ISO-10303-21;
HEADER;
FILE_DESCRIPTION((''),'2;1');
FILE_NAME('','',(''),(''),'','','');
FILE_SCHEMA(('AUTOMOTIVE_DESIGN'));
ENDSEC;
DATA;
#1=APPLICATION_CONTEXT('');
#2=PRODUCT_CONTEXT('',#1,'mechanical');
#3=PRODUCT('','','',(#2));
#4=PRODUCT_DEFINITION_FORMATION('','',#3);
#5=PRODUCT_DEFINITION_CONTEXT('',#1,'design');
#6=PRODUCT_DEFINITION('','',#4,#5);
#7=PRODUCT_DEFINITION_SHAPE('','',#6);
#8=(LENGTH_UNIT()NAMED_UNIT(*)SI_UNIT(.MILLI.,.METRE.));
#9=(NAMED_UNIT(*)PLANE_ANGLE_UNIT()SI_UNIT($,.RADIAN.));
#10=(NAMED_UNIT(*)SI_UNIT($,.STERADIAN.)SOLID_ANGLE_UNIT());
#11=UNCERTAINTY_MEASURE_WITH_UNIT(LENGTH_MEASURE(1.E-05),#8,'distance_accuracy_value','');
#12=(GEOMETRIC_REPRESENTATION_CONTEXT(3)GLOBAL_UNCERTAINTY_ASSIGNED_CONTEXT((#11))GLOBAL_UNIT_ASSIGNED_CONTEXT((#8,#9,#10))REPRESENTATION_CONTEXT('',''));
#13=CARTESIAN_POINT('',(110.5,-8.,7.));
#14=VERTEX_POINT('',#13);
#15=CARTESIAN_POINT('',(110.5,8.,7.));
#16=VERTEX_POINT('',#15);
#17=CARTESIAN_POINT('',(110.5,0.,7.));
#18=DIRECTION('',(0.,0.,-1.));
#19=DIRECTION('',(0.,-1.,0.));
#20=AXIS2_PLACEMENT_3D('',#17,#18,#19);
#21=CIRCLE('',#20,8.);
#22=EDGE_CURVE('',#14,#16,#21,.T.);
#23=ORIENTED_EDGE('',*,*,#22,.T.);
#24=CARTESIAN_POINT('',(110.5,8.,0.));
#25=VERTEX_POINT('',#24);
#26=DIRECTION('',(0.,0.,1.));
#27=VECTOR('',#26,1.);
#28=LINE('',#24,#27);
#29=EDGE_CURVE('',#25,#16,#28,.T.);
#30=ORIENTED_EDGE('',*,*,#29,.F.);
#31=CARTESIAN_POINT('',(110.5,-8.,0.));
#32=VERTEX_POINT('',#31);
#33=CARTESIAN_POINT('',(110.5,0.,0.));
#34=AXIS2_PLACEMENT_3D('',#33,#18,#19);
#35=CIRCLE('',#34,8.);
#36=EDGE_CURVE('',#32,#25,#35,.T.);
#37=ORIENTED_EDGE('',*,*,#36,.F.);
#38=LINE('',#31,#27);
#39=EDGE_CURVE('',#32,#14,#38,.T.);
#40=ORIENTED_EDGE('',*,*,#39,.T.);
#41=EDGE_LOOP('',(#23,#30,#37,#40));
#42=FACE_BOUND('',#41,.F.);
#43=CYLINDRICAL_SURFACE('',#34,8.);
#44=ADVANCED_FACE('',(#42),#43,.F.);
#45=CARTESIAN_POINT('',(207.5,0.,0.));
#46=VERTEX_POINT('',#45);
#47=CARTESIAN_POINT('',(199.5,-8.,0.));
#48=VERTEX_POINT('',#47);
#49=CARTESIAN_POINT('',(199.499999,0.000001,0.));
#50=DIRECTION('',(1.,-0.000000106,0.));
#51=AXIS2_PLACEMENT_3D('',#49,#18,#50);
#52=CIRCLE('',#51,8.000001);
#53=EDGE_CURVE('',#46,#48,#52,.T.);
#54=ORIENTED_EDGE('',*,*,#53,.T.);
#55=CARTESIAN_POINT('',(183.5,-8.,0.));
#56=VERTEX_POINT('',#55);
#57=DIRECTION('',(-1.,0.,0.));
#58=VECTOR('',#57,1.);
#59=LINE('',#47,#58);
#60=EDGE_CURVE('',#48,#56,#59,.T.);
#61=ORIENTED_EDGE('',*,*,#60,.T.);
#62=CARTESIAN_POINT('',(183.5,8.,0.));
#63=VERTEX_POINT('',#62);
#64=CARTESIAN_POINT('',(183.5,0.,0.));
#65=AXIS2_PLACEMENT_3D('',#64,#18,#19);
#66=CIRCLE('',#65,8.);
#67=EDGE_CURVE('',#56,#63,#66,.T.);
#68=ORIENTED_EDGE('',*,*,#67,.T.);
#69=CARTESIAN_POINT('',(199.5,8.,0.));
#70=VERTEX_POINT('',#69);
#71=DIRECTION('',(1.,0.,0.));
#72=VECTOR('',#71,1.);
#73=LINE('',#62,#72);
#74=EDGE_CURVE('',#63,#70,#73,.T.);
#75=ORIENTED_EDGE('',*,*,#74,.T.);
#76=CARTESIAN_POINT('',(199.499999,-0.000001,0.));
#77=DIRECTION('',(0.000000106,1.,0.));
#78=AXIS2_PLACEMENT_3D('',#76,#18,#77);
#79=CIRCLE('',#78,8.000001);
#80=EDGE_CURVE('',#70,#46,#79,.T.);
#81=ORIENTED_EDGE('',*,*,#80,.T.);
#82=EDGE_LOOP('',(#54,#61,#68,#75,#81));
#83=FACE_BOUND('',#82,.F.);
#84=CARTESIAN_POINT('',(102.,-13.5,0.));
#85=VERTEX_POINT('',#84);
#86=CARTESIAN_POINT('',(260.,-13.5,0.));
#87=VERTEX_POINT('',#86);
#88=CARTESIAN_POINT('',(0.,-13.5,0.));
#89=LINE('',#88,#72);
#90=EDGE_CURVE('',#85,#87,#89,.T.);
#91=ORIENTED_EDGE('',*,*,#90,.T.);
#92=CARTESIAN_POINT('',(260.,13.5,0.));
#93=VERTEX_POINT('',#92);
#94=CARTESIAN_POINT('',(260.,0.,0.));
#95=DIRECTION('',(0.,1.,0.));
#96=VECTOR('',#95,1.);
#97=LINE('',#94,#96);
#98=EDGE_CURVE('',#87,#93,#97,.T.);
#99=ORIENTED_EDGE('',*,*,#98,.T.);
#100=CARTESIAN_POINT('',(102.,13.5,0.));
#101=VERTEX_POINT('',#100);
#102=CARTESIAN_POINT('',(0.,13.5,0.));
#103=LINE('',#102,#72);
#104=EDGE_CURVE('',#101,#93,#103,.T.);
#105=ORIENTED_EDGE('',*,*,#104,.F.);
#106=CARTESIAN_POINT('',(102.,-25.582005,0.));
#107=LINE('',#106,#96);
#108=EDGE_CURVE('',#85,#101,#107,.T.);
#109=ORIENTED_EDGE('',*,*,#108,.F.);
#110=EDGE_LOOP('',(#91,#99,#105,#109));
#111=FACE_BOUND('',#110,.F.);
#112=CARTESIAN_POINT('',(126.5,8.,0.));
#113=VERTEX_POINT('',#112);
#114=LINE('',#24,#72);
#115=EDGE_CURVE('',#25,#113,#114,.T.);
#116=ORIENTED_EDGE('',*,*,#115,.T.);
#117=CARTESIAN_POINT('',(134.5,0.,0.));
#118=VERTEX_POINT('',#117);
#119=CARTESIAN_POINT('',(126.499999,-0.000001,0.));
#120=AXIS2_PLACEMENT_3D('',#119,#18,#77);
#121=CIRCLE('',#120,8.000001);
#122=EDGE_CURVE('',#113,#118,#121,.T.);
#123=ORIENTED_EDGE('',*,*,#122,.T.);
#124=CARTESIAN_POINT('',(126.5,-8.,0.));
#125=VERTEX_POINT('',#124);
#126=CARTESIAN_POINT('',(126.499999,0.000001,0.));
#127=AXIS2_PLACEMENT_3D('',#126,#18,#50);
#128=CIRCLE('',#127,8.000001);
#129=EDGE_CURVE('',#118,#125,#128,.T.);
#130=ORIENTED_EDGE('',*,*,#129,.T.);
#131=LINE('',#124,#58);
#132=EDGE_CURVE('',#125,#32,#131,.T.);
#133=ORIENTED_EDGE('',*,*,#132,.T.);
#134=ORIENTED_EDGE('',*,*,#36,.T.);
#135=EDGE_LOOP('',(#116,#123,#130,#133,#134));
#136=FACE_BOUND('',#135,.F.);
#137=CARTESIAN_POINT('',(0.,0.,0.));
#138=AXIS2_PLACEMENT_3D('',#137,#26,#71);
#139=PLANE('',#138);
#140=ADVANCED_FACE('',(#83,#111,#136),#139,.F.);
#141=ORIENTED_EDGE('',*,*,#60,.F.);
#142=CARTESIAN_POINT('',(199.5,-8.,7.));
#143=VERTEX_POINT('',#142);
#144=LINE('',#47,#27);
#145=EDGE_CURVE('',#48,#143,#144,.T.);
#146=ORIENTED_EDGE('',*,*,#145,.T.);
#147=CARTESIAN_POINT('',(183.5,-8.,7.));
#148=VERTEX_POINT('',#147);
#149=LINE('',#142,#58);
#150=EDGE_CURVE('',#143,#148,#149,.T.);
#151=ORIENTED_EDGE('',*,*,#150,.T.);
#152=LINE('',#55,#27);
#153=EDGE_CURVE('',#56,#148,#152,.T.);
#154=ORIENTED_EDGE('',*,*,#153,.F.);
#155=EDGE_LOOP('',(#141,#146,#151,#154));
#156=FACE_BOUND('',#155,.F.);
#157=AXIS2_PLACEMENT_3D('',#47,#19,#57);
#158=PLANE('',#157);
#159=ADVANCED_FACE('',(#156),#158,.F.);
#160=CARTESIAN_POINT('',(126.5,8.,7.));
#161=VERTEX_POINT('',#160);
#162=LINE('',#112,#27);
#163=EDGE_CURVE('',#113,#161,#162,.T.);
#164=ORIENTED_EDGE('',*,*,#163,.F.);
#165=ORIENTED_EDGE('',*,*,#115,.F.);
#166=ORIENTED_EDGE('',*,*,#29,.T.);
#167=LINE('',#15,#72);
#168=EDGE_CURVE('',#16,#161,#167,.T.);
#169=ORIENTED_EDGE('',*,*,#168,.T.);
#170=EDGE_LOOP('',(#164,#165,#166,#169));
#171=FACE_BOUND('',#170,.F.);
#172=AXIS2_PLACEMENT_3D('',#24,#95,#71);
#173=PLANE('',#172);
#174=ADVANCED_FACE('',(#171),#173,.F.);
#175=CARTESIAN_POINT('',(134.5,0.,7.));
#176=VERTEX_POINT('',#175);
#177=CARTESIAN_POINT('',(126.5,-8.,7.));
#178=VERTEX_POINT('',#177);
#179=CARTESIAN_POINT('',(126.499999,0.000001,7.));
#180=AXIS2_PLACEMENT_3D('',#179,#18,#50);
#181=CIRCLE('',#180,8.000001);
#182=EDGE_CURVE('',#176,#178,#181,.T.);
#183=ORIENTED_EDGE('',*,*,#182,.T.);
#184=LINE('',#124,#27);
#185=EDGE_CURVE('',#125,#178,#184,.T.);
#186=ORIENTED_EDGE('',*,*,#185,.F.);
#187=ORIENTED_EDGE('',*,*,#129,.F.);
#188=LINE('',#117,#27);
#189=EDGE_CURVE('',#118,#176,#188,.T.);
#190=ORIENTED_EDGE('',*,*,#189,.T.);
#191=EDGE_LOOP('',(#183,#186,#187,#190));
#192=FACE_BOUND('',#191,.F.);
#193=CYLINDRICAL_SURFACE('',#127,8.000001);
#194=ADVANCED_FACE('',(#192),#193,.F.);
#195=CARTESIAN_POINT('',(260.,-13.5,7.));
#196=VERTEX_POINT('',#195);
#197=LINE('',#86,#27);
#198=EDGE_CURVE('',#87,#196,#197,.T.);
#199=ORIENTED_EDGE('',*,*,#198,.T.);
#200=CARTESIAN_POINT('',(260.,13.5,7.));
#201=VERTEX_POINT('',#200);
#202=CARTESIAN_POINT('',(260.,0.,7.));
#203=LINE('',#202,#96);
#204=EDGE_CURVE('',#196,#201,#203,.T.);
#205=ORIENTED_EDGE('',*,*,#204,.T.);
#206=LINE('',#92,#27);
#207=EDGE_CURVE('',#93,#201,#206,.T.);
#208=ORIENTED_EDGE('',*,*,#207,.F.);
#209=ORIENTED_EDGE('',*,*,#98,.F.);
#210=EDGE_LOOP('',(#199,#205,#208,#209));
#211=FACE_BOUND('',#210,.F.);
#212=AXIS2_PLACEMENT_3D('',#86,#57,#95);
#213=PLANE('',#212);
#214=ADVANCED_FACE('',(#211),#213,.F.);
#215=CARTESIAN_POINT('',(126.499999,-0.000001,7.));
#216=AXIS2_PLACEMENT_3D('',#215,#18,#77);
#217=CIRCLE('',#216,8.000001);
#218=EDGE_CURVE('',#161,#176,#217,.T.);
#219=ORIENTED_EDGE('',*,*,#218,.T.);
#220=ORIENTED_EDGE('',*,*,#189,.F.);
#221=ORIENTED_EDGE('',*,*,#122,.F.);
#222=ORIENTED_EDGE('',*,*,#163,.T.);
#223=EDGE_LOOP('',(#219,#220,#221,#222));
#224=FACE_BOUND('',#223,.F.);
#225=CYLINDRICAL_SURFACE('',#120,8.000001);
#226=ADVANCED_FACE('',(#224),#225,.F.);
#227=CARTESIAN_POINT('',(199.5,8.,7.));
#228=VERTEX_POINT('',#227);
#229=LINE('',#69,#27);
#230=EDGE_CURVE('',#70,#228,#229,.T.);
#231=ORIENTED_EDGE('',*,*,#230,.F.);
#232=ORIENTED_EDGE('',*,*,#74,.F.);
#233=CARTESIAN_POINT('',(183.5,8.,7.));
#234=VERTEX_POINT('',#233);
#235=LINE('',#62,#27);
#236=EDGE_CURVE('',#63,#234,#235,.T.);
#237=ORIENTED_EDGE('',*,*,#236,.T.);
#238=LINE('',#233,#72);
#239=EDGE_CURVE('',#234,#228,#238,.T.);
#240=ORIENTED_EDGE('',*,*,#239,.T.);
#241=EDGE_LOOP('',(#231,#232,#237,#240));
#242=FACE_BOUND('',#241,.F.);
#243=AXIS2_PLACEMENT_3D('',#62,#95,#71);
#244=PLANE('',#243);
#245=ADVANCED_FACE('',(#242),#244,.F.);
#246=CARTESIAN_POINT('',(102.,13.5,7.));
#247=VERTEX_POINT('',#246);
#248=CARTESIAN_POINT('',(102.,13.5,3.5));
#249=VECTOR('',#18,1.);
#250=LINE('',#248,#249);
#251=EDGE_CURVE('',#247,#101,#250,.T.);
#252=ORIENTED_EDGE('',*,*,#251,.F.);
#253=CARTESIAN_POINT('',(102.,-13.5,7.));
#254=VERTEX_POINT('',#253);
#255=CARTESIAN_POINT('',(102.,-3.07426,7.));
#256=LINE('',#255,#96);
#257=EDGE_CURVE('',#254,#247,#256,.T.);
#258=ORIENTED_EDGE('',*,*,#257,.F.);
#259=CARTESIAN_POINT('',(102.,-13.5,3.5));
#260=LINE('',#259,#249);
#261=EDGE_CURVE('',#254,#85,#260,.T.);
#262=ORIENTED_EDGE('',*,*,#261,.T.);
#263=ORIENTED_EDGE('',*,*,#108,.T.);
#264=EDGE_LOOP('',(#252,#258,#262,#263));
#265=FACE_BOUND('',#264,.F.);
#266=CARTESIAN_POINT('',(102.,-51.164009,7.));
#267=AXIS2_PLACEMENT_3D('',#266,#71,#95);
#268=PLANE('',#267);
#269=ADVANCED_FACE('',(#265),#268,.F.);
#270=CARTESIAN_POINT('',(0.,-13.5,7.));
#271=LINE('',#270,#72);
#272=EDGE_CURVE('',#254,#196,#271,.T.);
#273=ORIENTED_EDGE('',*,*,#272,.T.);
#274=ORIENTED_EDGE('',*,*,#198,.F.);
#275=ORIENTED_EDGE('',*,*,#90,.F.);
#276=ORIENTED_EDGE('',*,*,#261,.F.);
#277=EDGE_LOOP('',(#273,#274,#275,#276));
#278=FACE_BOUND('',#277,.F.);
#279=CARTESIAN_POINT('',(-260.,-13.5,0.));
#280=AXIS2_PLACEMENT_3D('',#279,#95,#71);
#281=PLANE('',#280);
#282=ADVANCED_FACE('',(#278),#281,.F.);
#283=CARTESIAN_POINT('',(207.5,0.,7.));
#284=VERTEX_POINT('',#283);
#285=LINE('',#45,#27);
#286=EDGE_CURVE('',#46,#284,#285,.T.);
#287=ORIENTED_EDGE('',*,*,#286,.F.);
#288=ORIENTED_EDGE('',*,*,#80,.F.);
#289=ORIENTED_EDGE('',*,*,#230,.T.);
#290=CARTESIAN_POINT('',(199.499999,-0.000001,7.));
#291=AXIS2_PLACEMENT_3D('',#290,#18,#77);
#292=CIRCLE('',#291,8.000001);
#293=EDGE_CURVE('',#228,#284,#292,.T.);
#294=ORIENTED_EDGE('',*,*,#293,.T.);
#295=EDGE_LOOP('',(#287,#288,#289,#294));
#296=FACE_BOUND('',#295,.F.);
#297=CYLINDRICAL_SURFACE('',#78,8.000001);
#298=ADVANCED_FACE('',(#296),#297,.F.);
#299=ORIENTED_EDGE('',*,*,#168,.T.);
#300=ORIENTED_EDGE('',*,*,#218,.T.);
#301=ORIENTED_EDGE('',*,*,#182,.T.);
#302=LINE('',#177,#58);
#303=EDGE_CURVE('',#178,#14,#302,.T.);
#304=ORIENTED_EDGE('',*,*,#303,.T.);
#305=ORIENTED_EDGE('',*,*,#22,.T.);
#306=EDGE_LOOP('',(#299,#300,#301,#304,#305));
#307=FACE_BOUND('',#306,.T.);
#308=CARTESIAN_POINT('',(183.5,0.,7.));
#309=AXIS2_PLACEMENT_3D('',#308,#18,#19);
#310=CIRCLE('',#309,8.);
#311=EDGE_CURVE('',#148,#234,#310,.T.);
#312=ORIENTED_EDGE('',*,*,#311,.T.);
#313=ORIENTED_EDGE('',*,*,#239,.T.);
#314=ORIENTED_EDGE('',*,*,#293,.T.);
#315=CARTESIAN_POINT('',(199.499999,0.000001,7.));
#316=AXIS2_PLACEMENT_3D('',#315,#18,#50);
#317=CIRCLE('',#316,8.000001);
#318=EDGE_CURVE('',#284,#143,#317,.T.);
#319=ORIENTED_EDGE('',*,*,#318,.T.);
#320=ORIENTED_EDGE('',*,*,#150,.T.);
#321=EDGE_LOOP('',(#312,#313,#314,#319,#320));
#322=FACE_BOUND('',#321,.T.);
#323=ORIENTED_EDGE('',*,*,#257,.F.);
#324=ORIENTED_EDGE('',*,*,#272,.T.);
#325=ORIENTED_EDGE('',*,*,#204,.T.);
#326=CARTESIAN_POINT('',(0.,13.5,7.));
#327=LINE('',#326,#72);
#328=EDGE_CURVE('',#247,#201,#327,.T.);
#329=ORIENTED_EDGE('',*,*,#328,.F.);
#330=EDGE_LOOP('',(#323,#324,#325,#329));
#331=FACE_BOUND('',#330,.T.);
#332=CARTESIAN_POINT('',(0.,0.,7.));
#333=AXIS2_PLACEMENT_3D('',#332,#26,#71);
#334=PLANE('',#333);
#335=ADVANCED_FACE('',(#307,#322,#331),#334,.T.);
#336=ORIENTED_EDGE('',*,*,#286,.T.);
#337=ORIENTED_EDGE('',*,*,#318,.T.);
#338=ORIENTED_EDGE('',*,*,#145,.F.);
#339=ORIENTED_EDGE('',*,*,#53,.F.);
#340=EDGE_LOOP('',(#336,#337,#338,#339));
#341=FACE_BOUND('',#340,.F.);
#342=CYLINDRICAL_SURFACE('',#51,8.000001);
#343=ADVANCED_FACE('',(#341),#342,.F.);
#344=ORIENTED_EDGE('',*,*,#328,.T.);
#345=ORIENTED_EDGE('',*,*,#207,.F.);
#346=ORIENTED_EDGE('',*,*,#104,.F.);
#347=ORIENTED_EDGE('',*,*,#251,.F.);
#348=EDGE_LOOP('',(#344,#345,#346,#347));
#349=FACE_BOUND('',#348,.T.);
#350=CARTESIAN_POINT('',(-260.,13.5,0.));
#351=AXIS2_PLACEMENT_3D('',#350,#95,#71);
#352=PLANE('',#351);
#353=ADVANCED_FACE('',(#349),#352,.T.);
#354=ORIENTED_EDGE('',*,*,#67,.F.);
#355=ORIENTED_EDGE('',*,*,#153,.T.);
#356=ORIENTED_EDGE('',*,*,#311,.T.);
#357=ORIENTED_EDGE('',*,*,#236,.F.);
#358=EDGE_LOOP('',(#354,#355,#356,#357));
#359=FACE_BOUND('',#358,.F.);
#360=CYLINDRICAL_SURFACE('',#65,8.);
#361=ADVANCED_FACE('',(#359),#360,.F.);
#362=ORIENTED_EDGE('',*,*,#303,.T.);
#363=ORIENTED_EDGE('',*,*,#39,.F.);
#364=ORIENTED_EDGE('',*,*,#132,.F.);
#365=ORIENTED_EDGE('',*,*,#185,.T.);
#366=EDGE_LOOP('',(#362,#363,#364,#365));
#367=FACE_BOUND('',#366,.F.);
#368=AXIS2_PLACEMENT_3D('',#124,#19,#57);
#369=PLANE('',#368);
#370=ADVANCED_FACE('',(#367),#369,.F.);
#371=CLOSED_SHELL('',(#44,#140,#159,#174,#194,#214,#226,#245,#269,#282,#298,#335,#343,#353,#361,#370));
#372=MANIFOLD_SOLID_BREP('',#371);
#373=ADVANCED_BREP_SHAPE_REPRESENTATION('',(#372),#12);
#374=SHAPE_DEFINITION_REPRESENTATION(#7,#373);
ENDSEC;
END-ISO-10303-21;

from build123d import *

# Parameters (mm, degrees)
F0_W     = 520
F0_H     = 27
F1_DEPTH = 7
F2_W     = 158
F2_H     = 96.179498
F2_W_2   = 50
F3_DEPTH = 25


with BuildPart() as f1:
    # F0 (on Top) → F1 (new body)
    with BuildSketch(Plane.XY):
        Rectangle(F0_W, F0_H)
        with BuildLine():
            ThreePointArc((-92.5, 8), (-86.843146, 5.656854), (-84.5, 0))
            ThreePointArc((-84.5, 0), (-86.843146, -5.656854), (-92.5, -8))
            Line((-92.5, -8), (-108.5, -8))
            ThreePointArc((-108.5, -8), (-116.5, 0), (-108.5, 8))
            Line((-108.5, 8), (-92.5, 8))
        make_face(mode=Mode.SUBTRACT)
        with BuildLine():
            ThreePointArc((-19.5, 8), (-13.843146, 5.656854), (-11.5, 0))
            ThreePointArc((-11.5, 0), (-13.843146, -5.656854), (-19.5, -8))
            Line((-19.5, -8), (-35.5, -8))
            ThreePointArc((-35.5, -8), (-43.5, 0), (-35.5, 8))
            Line((-35.5, 8), (-19.5, 8))
        make_face(mode=Mode.SUBTRACT)
        with BuildLine():
            ThreePointArc((53.5, 8), (59.156854, 5.656854), (61.5, 0))
            ThreePointArc((61.5, 0), (59.156854, -5.656854), (53.5, -8))
            Line((53.5, -8), (37.5, -8))
            ThreePointArc((37.5, -8), (29.5, 0), (37.5, 8))
            Line((37.5, 8), (53.5, 8))
        make_face(mode=Mode.SUBTRACT)
        with BuildLine():
            ThreePointArc((126.5, 8), (132.156854, 5.656854), (134.5, 0))
            ThreePointArc((134.5, 0), (132.156854, -5.656854), (126.5, -8))
            Line((126.5, -8), (110.5, -8))
            ThreePointArc((110.5, -8), (102.5, 0), (110.5, 8))
            Line((110.5, 8), (126.5, 8))
        make_face(mode=Mode.SUBTRACT)
        with BuildLine():
            ThreePointArc((199.5, 8), (205.156854, 5.656854), (207.5, 0))
            ThreePointArc((207.5, 0), (205.156854, -5.656854), (199.5, -8))
            Line((199.5, -8), (183.5, -8))
            ThreePointArc((183.5, -8), (175.5, 0), (183.5, 8))
            Line((183.5, 8), (199.5, 8))
        make_face(mode=Mode.SUBTRACT)
    extrude(amount=F1_DEPTH)

    # F2 (on face) → F3 (cut)
    with BuildSketch(Plane.XY.offset(7)):
        with Locations((23, -3.07426)):
            Rectangle(F2_W, F2_H)
        with Locations((-135, -3.07426)):
            Rectangle(F2_W, F2_H)
        with Locations((-239, -3.07426)):
            Rectangle(F2_W_2, F2_H)
    extrude(amount=-F3_DEPTH, mode=Mode.SUBTRACT)


solid = f1.part
